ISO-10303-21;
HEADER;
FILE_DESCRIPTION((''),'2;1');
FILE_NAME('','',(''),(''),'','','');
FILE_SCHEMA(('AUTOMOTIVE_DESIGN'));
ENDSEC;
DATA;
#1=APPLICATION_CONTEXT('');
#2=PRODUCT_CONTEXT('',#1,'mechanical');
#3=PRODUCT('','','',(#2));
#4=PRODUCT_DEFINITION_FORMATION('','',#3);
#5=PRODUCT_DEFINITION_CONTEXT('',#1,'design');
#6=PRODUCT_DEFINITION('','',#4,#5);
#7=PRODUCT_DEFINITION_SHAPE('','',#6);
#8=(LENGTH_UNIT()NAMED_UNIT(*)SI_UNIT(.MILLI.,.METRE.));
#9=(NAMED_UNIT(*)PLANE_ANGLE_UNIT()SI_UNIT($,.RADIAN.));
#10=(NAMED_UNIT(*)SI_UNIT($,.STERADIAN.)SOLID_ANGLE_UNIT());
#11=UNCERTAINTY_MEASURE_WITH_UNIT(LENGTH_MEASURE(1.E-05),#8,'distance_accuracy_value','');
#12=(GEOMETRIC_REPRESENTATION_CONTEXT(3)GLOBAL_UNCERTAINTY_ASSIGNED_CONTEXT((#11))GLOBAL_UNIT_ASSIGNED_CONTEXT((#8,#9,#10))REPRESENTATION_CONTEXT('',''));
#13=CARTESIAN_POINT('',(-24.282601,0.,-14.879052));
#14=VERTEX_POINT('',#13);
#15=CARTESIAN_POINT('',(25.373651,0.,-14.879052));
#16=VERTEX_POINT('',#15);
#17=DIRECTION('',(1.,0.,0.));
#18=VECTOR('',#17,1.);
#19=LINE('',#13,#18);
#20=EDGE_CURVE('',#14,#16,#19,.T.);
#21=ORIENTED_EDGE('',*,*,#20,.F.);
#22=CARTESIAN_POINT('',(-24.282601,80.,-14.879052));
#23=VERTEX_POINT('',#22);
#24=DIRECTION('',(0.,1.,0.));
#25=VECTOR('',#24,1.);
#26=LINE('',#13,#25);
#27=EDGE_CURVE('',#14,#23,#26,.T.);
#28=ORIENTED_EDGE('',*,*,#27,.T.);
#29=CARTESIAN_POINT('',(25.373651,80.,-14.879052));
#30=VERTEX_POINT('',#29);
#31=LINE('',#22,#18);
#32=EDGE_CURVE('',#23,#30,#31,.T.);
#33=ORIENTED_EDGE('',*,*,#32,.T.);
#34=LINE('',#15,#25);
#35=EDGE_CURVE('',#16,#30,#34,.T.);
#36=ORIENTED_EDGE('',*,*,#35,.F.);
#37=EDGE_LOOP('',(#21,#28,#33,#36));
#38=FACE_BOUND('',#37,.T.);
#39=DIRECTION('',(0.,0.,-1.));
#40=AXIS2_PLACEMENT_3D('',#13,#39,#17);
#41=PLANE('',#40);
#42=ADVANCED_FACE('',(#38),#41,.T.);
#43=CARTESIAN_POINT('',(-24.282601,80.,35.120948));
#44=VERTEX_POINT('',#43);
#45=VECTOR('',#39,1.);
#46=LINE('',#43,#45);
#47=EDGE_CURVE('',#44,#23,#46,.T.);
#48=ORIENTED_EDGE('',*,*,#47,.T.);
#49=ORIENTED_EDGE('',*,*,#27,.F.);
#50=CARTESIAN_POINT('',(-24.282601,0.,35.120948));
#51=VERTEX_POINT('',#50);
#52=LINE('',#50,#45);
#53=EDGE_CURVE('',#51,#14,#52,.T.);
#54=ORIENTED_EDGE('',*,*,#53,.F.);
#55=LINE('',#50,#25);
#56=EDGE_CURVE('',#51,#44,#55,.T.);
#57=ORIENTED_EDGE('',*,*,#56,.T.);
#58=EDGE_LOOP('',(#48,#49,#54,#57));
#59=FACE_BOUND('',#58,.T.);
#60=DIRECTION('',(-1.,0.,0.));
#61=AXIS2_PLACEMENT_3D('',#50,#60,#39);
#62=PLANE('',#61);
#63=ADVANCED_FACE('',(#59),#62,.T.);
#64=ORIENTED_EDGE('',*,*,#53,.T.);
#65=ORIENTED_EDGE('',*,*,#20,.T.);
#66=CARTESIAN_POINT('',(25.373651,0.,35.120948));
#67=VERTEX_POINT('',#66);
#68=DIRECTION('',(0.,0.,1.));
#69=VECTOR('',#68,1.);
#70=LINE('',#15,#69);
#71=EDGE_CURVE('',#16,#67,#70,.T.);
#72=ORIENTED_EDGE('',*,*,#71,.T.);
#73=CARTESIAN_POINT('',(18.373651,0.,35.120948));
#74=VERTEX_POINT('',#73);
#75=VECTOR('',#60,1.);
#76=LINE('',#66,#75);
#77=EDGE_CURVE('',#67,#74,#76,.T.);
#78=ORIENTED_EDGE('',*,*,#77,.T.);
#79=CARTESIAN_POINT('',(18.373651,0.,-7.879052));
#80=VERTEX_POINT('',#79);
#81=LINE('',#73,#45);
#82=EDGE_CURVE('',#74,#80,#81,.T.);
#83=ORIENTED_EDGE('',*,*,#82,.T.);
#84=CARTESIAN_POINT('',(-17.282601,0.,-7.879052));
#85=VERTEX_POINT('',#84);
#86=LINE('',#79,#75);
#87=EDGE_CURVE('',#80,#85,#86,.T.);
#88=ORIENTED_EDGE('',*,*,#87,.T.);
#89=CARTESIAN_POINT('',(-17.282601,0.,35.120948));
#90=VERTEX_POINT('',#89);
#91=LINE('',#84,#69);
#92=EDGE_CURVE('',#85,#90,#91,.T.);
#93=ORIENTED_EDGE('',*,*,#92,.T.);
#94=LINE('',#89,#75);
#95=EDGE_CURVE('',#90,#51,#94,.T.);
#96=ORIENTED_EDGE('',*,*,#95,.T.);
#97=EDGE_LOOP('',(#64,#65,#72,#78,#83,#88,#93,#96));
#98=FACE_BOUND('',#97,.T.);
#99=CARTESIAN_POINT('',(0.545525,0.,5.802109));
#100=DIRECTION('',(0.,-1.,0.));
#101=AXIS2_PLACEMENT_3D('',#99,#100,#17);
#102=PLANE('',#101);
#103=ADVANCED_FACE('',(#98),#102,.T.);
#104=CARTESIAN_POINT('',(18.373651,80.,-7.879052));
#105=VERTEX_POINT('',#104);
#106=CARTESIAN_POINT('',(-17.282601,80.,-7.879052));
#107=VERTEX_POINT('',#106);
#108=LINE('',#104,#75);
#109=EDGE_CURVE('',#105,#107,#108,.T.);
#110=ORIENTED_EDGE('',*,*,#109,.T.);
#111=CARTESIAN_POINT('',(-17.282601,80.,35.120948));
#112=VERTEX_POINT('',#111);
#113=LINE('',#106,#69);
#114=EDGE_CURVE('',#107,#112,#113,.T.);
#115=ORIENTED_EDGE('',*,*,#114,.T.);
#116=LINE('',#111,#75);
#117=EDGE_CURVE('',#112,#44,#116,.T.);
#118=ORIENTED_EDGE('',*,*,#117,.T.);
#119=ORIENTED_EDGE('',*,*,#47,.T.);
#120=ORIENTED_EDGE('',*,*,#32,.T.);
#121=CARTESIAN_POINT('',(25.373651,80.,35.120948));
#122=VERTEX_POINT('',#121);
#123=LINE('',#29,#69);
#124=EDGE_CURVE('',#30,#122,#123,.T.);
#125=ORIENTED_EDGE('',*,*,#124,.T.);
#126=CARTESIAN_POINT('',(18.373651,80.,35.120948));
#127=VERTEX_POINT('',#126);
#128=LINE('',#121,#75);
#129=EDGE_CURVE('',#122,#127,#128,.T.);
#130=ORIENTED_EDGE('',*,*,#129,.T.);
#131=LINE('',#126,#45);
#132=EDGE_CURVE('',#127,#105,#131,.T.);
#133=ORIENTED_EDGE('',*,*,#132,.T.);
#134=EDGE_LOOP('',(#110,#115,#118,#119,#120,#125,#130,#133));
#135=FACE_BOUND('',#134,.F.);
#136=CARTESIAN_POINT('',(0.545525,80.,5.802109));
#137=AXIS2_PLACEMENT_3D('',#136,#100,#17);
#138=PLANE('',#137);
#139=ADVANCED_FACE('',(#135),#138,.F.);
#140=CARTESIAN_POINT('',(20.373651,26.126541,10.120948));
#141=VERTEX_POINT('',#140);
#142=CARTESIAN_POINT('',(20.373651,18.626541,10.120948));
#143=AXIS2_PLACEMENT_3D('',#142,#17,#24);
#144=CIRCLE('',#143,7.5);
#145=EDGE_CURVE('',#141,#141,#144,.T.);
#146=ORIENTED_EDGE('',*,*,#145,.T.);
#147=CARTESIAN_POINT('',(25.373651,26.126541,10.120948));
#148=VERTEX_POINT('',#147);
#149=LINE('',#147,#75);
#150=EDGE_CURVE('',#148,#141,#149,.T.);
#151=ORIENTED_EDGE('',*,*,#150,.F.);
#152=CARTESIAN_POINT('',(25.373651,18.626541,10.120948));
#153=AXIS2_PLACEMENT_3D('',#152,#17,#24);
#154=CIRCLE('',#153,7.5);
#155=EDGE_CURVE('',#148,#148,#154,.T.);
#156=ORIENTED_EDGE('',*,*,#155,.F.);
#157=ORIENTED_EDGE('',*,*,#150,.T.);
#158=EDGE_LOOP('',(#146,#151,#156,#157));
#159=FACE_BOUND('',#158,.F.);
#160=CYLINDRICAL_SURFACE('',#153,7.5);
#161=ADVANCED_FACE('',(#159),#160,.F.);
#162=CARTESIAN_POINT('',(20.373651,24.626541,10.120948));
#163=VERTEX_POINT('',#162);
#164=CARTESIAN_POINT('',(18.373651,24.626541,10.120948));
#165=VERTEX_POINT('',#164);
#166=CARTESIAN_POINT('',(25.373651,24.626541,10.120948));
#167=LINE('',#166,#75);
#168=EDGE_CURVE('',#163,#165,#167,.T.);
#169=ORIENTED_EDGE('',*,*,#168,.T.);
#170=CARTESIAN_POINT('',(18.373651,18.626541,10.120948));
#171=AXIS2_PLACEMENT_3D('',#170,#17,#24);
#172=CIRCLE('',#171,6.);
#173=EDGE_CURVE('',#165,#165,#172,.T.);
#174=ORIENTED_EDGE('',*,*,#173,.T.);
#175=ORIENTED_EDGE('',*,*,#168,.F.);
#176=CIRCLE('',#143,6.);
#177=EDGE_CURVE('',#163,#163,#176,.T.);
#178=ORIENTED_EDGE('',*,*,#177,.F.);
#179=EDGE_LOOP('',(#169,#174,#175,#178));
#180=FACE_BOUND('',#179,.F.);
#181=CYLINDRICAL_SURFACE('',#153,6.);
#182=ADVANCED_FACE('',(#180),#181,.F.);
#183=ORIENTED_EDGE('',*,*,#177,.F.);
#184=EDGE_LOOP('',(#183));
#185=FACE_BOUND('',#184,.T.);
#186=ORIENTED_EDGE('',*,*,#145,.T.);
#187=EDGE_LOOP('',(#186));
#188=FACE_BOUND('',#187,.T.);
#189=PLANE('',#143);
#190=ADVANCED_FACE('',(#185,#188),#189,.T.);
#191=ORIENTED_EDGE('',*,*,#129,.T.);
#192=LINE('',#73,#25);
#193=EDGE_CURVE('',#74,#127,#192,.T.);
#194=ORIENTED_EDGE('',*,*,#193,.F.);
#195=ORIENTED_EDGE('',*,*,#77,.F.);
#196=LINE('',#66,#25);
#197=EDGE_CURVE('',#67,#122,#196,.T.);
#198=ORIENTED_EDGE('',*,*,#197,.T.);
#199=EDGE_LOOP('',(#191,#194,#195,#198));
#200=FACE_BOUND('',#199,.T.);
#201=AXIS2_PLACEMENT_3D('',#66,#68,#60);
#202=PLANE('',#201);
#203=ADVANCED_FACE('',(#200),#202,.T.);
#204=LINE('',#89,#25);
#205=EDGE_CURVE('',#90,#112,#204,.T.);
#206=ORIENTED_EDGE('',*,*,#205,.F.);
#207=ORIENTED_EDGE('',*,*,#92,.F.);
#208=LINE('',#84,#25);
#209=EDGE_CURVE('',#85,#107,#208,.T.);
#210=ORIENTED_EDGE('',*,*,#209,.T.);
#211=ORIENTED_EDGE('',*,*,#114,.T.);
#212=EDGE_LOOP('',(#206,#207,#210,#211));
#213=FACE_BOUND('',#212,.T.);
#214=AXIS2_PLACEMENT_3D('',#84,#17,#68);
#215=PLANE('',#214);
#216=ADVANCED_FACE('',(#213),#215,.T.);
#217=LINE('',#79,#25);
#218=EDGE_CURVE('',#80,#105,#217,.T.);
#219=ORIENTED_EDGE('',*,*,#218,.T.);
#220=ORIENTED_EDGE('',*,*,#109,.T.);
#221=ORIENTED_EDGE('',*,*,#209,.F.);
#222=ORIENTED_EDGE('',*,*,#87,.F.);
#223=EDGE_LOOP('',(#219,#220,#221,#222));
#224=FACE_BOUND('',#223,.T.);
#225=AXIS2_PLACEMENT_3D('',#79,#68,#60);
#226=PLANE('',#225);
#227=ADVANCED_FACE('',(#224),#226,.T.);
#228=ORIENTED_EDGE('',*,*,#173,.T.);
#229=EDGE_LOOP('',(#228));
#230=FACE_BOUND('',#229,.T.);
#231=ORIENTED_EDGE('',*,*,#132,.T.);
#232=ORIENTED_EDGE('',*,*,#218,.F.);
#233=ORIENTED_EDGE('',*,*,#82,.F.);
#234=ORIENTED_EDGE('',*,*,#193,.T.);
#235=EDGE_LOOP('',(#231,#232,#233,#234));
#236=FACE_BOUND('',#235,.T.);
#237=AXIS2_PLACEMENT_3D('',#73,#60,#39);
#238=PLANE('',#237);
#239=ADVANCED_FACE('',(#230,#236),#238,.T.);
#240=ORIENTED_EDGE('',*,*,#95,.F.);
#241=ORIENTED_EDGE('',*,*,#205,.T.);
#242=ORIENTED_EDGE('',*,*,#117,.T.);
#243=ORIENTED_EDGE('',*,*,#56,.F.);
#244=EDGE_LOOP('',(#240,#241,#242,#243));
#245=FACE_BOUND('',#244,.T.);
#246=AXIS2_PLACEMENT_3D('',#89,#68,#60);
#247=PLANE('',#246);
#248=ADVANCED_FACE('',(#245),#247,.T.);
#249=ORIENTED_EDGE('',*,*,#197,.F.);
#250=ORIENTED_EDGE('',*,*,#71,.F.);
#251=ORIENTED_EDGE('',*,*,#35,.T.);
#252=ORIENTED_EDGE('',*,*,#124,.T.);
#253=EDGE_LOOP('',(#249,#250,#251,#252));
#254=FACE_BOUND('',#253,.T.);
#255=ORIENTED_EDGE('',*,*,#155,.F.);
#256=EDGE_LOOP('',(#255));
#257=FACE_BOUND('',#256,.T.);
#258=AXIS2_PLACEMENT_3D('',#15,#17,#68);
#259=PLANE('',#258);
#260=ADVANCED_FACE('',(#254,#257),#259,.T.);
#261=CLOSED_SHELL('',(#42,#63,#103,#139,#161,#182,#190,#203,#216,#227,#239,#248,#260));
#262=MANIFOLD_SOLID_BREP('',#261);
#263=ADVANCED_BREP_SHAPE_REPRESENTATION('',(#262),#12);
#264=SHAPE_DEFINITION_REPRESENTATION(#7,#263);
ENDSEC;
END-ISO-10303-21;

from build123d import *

# Parameters (mm, degrees)
F1_DEPTH = 80
F2_R     = 6
F3_DEPTH = 25
F2_R_2   = 7.5
F4_DEPTH = 5


with BuildPart() as f1:
    # F0 (on Front) → F1 (new body)
    with BuildSketch(Plane.XZ):
        Polygon((-17.282601, 35.120948), (-24.282601, 35.120948), (-24.282601, -14.879052), (25.373651, -14.879052), (25.373651, 35.120948), (18.373651, 35.120948), (18.373651, -7.879052), (-17.282601, -7.879052), align=None)
    extrude(amount=-F1_DEPTH)

    # F2 (on face) → F3 (cut)
    with BuildSketch(Plane.YZ.offset(25.373651)):
        with Locations((18.626541, 10.120948)):
            Circle(F2_R)
    extrude(amount=-F3_DEPTH, mode=Mode.SUBTRACT)

    # F2 (on face) → F4 (cut)
    with BuildSketch(Plane.YZ.offset(25.373651)):
        with Locations((18.626541, 10.120948)):
            Circle(F2_R_2)
        with Locations((18.626541, 10.120948)):
            Circle(F2_R, mode=Mode.SUBTRACT)
    extrude(amount=-F4_DEPTH, mode=Mode.SUBTRACT)


solid = f1.part
